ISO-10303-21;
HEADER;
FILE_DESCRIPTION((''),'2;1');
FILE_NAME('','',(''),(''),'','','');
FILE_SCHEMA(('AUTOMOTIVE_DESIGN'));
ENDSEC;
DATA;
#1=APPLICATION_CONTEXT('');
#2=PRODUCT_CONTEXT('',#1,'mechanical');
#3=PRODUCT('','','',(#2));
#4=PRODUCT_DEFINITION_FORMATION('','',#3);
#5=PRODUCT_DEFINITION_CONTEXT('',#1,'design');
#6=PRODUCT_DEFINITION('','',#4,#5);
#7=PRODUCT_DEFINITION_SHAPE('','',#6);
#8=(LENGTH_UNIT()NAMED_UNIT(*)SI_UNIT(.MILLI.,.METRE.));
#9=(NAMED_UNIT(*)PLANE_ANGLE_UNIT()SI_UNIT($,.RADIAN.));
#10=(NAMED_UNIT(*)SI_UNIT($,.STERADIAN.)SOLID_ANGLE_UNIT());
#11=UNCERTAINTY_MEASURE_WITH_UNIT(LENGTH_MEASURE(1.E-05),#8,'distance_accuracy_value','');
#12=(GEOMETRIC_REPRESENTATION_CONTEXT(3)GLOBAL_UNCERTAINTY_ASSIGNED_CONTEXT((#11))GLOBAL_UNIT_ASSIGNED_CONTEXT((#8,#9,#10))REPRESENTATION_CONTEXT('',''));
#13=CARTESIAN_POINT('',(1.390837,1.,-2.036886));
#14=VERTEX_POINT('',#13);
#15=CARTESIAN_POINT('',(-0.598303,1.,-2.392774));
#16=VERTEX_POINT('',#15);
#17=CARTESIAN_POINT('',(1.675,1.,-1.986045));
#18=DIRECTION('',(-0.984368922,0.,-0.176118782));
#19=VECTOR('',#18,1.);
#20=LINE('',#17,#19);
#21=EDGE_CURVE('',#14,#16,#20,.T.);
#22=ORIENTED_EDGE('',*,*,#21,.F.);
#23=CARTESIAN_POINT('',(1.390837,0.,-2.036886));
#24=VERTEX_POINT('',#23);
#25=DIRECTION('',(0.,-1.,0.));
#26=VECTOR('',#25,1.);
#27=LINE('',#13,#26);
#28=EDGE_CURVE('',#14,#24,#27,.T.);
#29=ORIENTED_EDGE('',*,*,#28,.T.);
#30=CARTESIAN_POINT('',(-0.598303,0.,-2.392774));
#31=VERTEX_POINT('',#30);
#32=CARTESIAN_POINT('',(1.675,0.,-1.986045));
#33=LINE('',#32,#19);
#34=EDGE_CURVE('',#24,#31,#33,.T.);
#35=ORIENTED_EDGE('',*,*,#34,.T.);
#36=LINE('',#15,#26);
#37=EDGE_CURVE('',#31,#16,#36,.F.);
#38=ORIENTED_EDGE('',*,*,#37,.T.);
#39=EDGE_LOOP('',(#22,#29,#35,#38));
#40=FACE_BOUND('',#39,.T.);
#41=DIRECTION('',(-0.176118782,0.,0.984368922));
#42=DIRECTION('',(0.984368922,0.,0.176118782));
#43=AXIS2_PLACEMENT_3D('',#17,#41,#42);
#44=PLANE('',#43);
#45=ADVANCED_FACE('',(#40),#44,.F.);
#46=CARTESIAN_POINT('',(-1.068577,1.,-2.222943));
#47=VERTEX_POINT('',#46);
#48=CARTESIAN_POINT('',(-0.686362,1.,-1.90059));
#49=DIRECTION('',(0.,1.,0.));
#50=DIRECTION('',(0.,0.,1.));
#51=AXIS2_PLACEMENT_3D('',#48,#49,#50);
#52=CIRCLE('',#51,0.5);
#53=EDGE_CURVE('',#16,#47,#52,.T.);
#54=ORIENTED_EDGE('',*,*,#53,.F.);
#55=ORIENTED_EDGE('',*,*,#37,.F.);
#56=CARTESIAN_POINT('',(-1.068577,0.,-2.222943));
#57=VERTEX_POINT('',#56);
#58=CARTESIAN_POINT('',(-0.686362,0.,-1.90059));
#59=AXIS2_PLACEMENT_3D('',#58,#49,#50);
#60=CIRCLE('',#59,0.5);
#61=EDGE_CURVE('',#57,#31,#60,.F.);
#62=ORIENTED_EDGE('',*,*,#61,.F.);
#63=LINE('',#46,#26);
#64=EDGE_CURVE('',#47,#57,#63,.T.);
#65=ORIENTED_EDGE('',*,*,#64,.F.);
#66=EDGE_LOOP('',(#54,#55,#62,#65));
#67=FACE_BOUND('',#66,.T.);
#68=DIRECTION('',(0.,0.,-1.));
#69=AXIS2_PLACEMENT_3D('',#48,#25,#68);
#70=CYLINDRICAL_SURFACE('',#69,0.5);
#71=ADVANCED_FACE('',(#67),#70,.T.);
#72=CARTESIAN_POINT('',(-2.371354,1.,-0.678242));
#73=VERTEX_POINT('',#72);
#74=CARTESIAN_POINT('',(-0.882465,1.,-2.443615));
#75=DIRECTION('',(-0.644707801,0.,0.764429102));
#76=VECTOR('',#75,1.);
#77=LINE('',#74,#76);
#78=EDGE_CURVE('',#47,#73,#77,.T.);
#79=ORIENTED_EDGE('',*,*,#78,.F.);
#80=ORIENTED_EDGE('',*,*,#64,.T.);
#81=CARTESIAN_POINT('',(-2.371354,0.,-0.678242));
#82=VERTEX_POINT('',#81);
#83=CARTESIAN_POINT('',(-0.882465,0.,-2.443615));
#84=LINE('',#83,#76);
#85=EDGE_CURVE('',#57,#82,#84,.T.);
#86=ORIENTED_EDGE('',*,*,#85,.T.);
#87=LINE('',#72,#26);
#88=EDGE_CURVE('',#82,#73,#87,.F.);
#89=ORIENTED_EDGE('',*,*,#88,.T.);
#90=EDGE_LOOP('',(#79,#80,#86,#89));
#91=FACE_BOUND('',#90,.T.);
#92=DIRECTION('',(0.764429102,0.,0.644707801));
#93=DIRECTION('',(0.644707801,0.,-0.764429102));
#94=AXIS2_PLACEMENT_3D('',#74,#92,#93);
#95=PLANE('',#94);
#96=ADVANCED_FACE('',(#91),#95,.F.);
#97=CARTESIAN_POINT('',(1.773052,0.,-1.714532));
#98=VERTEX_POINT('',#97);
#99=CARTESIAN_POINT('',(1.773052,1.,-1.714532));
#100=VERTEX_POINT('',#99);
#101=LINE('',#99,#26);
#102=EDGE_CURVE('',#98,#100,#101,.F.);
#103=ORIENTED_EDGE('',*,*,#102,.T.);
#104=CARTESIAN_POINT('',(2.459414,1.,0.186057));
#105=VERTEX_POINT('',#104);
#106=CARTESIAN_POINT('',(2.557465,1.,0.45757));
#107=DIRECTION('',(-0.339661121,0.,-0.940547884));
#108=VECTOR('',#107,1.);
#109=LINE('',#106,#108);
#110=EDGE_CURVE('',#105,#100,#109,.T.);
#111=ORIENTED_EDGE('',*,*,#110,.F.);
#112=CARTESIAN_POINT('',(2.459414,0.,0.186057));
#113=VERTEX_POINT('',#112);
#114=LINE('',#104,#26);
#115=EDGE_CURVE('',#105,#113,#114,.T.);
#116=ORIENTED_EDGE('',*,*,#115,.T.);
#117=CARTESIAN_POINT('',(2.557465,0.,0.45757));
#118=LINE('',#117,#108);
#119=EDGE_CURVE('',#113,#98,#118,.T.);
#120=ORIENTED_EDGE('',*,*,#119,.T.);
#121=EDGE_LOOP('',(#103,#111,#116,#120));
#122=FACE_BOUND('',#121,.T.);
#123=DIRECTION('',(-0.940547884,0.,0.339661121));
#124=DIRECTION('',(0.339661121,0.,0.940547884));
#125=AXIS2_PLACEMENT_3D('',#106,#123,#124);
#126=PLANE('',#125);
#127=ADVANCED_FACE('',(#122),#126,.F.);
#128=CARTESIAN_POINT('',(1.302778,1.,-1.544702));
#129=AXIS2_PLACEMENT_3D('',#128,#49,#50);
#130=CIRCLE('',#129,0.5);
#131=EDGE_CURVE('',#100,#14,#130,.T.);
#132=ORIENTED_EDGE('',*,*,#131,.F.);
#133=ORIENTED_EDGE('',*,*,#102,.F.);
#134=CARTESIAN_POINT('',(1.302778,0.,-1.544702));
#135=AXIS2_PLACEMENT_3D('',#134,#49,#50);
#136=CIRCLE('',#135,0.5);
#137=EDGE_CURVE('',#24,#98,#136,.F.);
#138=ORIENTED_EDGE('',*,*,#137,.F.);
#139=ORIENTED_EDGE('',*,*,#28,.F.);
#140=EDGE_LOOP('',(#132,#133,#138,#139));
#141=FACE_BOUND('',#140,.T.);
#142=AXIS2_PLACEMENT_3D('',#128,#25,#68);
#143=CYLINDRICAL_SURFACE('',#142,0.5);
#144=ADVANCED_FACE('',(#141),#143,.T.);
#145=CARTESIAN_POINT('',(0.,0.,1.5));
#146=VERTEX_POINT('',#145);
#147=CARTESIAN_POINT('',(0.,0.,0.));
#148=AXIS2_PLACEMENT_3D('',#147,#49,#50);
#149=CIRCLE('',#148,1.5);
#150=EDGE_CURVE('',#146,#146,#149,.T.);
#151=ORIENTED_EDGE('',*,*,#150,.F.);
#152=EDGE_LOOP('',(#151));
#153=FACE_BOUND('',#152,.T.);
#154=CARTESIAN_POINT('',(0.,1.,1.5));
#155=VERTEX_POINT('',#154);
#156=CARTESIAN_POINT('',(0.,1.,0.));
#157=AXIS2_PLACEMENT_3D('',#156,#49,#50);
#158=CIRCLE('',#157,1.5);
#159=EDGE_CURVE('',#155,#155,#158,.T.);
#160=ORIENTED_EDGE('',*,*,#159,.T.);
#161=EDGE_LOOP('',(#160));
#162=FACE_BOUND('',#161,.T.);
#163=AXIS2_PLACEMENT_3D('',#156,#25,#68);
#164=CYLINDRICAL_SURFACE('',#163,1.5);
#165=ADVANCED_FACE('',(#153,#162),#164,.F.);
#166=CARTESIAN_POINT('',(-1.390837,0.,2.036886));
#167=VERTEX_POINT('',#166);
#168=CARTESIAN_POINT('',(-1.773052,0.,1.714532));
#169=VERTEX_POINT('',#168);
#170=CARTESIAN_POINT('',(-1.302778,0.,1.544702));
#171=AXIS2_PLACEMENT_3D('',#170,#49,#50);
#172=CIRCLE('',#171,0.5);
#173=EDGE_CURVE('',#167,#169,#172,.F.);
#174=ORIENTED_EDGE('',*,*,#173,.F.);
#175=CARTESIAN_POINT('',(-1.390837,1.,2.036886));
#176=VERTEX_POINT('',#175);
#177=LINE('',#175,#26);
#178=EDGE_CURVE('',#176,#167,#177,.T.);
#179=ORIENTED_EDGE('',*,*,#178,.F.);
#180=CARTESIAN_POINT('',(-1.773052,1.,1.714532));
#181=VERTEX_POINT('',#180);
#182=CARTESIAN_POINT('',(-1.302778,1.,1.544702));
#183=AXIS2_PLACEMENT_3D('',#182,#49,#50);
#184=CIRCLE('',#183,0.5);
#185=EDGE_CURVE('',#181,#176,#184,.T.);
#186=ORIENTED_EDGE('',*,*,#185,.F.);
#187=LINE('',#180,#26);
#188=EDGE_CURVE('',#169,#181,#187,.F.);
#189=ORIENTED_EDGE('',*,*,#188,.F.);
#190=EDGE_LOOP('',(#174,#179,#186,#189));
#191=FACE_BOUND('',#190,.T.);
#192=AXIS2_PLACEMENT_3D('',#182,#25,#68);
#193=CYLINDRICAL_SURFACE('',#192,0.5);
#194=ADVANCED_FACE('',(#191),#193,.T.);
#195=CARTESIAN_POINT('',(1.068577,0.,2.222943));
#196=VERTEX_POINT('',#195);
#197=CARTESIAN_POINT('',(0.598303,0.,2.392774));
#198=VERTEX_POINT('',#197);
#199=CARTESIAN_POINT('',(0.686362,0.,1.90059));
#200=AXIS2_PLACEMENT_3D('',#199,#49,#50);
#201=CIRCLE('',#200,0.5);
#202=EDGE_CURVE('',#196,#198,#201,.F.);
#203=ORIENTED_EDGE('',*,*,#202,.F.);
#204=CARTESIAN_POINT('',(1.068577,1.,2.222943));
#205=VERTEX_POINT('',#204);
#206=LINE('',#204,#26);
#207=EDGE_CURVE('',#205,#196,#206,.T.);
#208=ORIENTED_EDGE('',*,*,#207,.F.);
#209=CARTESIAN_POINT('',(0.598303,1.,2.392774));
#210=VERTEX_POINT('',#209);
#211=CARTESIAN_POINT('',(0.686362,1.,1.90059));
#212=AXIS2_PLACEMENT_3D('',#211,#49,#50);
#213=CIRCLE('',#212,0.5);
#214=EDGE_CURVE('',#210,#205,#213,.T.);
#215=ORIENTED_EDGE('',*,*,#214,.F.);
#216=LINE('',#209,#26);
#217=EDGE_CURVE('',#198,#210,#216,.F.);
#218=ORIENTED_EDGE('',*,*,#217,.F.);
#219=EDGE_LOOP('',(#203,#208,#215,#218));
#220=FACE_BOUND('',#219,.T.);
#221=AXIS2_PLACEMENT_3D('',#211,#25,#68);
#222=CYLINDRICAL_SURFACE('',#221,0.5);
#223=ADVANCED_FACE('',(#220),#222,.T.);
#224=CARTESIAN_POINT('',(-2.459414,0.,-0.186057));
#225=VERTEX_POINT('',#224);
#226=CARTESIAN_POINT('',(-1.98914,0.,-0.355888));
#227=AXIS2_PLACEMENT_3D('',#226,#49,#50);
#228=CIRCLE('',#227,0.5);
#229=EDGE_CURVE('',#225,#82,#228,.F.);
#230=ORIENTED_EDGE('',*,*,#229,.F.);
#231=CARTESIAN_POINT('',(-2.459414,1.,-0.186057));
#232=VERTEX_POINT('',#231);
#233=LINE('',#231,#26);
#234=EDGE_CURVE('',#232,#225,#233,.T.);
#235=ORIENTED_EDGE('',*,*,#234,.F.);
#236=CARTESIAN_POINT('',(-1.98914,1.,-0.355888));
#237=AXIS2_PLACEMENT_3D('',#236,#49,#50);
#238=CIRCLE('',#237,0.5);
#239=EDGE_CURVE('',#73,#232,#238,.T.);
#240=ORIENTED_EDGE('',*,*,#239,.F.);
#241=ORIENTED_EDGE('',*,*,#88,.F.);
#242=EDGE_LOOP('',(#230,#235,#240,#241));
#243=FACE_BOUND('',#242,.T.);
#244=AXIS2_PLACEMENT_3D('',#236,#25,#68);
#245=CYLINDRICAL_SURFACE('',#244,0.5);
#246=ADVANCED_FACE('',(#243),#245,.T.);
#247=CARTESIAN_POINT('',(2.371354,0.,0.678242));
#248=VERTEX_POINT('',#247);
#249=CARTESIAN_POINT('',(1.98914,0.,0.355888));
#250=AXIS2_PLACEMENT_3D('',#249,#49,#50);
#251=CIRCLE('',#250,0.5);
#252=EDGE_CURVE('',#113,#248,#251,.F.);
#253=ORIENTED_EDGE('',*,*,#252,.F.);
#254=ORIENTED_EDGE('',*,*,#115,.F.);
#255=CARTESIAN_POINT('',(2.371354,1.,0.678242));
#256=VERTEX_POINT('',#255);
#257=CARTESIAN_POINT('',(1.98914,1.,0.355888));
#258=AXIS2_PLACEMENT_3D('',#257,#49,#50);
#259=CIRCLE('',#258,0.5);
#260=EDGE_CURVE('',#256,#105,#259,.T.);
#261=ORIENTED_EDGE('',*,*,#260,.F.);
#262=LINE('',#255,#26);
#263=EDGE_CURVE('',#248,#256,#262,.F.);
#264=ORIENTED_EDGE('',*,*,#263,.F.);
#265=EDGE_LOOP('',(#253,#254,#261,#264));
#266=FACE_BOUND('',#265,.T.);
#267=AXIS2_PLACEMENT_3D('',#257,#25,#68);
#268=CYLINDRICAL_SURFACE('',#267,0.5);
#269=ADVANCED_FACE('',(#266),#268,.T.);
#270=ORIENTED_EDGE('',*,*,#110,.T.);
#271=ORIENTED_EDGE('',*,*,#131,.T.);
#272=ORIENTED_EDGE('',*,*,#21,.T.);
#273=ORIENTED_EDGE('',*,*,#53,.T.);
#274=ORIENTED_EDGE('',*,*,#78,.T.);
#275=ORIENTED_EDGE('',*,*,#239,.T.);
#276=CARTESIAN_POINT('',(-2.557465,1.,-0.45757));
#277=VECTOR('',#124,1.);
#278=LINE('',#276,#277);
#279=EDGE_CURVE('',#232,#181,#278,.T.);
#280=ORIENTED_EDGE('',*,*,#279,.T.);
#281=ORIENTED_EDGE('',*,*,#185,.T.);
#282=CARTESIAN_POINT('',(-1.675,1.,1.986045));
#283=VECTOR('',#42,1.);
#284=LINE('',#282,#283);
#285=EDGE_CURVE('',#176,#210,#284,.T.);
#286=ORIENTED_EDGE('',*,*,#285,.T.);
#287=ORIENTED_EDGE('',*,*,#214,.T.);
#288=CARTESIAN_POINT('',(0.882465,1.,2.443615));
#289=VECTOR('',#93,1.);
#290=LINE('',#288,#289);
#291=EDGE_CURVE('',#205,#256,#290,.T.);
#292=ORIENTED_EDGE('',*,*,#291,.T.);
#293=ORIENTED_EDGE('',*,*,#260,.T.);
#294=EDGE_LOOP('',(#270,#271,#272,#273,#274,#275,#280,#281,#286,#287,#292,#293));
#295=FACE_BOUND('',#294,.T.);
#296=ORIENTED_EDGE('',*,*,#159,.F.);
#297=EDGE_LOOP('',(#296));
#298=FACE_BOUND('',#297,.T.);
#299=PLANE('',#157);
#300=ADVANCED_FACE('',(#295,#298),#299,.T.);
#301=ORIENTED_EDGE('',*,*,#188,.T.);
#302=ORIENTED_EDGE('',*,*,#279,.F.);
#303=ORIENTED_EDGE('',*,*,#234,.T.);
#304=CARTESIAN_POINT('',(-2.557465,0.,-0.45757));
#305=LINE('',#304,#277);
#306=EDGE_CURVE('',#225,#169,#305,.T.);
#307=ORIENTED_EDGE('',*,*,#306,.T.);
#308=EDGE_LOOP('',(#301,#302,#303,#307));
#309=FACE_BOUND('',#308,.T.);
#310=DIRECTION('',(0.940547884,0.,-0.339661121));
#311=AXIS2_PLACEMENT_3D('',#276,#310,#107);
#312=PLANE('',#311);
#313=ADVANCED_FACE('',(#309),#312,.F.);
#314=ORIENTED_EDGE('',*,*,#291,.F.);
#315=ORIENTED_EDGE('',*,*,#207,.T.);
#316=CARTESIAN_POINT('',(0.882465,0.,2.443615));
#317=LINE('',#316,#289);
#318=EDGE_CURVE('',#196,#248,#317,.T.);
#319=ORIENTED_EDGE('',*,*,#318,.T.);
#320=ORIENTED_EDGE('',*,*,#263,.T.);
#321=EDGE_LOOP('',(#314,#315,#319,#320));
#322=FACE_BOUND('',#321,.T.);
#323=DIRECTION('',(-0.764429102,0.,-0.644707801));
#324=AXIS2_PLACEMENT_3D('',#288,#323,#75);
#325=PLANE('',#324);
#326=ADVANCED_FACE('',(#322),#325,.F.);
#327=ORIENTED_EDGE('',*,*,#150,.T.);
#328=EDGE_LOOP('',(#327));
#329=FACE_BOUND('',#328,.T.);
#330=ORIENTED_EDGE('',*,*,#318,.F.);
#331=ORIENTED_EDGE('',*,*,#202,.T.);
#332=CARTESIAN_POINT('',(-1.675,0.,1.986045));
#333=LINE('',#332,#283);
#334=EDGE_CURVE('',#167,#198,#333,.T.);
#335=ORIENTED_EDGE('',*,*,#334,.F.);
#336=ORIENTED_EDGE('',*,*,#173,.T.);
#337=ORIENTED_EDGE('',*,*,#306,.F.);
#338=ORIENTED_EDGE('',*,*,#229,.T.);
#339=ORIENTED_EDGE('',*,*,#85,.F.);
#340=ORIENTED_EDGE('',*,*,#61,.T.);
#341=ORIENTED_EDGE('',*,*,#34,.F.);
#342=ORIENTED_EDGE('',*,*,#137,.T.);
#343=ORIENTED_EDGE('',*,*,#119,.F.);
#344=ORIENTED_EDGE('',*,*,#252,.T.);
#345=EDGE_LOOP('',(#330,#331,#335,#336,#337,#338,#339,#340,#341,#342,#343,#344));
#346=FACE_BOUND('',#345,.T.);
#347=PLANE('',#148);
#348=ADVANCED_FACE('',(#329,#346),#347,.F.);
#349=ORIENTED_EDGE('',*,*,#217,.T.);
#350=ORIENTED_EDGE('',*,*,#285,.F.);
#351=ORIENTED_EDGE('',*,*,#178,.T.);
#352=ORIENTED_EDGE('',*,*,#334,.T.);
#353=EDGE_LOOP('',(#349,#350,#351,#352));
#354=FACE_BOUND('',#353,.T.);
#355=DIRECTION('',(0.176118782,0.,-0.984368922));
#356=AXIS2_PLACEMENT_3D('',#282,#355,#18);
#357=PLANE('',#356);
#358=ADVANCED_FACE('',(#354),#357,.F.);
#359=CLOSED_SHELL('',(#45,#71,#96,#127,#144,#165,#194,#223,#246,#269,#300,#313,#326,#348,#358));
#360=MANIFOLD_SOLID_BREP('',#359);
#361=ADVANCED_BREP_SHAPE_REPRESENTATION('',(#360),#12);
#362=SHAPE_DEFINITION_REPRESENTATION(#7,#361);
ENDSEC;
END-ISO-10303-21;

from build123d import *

# Parameters (mm, degrees)
SKETCH1_R           = 1.5
BOSS_EXTRUDE1_DEPTH = 1
FILLET1_R           = 0.5


with BuildPart() as part:
    # Sketch1 → Boss-Extrude1 (new body)
    with BuildSketch(Plane(origin=(0, 0, 0), x_dir=(1, 0, 0), z_dir=(0, 1, 0))):
        Polygon((-0.882465479, 2.443615084), (-2.557465479, 0.457570019), (-1.675, -1.986045065), (0.882465479, -2.443615084), (2.557465479, -0.457570019), (1.675, 1.986045065), align=None)
        with Locations(Location((0, 0, 0), (0, 0, 270))):
            Circle(SKETCH1_R, mode=Mode.SUBTRACT)
    extrude(amount=BOSS_EXTRUDE1_DEPTH)

    # Fillet1
    fillet1_edges = [part.edges().sort_by_distance(p)[0] for p in [
        (1.675, 0.5, -1.986045065),
        (2.557465479, 0.5, 0.457570019),
        (0.882465479, 0.5, 2.443615084),
        (-1.675, 0.5, 1.986045065),
        (-2.557465479, 0.5, -0.457570019),
        (-0.882465479, 0.5, -2.443615084),
    ]]
    fillet(fillet1_edges, radius=FILLET1_R)


solid = part.part
